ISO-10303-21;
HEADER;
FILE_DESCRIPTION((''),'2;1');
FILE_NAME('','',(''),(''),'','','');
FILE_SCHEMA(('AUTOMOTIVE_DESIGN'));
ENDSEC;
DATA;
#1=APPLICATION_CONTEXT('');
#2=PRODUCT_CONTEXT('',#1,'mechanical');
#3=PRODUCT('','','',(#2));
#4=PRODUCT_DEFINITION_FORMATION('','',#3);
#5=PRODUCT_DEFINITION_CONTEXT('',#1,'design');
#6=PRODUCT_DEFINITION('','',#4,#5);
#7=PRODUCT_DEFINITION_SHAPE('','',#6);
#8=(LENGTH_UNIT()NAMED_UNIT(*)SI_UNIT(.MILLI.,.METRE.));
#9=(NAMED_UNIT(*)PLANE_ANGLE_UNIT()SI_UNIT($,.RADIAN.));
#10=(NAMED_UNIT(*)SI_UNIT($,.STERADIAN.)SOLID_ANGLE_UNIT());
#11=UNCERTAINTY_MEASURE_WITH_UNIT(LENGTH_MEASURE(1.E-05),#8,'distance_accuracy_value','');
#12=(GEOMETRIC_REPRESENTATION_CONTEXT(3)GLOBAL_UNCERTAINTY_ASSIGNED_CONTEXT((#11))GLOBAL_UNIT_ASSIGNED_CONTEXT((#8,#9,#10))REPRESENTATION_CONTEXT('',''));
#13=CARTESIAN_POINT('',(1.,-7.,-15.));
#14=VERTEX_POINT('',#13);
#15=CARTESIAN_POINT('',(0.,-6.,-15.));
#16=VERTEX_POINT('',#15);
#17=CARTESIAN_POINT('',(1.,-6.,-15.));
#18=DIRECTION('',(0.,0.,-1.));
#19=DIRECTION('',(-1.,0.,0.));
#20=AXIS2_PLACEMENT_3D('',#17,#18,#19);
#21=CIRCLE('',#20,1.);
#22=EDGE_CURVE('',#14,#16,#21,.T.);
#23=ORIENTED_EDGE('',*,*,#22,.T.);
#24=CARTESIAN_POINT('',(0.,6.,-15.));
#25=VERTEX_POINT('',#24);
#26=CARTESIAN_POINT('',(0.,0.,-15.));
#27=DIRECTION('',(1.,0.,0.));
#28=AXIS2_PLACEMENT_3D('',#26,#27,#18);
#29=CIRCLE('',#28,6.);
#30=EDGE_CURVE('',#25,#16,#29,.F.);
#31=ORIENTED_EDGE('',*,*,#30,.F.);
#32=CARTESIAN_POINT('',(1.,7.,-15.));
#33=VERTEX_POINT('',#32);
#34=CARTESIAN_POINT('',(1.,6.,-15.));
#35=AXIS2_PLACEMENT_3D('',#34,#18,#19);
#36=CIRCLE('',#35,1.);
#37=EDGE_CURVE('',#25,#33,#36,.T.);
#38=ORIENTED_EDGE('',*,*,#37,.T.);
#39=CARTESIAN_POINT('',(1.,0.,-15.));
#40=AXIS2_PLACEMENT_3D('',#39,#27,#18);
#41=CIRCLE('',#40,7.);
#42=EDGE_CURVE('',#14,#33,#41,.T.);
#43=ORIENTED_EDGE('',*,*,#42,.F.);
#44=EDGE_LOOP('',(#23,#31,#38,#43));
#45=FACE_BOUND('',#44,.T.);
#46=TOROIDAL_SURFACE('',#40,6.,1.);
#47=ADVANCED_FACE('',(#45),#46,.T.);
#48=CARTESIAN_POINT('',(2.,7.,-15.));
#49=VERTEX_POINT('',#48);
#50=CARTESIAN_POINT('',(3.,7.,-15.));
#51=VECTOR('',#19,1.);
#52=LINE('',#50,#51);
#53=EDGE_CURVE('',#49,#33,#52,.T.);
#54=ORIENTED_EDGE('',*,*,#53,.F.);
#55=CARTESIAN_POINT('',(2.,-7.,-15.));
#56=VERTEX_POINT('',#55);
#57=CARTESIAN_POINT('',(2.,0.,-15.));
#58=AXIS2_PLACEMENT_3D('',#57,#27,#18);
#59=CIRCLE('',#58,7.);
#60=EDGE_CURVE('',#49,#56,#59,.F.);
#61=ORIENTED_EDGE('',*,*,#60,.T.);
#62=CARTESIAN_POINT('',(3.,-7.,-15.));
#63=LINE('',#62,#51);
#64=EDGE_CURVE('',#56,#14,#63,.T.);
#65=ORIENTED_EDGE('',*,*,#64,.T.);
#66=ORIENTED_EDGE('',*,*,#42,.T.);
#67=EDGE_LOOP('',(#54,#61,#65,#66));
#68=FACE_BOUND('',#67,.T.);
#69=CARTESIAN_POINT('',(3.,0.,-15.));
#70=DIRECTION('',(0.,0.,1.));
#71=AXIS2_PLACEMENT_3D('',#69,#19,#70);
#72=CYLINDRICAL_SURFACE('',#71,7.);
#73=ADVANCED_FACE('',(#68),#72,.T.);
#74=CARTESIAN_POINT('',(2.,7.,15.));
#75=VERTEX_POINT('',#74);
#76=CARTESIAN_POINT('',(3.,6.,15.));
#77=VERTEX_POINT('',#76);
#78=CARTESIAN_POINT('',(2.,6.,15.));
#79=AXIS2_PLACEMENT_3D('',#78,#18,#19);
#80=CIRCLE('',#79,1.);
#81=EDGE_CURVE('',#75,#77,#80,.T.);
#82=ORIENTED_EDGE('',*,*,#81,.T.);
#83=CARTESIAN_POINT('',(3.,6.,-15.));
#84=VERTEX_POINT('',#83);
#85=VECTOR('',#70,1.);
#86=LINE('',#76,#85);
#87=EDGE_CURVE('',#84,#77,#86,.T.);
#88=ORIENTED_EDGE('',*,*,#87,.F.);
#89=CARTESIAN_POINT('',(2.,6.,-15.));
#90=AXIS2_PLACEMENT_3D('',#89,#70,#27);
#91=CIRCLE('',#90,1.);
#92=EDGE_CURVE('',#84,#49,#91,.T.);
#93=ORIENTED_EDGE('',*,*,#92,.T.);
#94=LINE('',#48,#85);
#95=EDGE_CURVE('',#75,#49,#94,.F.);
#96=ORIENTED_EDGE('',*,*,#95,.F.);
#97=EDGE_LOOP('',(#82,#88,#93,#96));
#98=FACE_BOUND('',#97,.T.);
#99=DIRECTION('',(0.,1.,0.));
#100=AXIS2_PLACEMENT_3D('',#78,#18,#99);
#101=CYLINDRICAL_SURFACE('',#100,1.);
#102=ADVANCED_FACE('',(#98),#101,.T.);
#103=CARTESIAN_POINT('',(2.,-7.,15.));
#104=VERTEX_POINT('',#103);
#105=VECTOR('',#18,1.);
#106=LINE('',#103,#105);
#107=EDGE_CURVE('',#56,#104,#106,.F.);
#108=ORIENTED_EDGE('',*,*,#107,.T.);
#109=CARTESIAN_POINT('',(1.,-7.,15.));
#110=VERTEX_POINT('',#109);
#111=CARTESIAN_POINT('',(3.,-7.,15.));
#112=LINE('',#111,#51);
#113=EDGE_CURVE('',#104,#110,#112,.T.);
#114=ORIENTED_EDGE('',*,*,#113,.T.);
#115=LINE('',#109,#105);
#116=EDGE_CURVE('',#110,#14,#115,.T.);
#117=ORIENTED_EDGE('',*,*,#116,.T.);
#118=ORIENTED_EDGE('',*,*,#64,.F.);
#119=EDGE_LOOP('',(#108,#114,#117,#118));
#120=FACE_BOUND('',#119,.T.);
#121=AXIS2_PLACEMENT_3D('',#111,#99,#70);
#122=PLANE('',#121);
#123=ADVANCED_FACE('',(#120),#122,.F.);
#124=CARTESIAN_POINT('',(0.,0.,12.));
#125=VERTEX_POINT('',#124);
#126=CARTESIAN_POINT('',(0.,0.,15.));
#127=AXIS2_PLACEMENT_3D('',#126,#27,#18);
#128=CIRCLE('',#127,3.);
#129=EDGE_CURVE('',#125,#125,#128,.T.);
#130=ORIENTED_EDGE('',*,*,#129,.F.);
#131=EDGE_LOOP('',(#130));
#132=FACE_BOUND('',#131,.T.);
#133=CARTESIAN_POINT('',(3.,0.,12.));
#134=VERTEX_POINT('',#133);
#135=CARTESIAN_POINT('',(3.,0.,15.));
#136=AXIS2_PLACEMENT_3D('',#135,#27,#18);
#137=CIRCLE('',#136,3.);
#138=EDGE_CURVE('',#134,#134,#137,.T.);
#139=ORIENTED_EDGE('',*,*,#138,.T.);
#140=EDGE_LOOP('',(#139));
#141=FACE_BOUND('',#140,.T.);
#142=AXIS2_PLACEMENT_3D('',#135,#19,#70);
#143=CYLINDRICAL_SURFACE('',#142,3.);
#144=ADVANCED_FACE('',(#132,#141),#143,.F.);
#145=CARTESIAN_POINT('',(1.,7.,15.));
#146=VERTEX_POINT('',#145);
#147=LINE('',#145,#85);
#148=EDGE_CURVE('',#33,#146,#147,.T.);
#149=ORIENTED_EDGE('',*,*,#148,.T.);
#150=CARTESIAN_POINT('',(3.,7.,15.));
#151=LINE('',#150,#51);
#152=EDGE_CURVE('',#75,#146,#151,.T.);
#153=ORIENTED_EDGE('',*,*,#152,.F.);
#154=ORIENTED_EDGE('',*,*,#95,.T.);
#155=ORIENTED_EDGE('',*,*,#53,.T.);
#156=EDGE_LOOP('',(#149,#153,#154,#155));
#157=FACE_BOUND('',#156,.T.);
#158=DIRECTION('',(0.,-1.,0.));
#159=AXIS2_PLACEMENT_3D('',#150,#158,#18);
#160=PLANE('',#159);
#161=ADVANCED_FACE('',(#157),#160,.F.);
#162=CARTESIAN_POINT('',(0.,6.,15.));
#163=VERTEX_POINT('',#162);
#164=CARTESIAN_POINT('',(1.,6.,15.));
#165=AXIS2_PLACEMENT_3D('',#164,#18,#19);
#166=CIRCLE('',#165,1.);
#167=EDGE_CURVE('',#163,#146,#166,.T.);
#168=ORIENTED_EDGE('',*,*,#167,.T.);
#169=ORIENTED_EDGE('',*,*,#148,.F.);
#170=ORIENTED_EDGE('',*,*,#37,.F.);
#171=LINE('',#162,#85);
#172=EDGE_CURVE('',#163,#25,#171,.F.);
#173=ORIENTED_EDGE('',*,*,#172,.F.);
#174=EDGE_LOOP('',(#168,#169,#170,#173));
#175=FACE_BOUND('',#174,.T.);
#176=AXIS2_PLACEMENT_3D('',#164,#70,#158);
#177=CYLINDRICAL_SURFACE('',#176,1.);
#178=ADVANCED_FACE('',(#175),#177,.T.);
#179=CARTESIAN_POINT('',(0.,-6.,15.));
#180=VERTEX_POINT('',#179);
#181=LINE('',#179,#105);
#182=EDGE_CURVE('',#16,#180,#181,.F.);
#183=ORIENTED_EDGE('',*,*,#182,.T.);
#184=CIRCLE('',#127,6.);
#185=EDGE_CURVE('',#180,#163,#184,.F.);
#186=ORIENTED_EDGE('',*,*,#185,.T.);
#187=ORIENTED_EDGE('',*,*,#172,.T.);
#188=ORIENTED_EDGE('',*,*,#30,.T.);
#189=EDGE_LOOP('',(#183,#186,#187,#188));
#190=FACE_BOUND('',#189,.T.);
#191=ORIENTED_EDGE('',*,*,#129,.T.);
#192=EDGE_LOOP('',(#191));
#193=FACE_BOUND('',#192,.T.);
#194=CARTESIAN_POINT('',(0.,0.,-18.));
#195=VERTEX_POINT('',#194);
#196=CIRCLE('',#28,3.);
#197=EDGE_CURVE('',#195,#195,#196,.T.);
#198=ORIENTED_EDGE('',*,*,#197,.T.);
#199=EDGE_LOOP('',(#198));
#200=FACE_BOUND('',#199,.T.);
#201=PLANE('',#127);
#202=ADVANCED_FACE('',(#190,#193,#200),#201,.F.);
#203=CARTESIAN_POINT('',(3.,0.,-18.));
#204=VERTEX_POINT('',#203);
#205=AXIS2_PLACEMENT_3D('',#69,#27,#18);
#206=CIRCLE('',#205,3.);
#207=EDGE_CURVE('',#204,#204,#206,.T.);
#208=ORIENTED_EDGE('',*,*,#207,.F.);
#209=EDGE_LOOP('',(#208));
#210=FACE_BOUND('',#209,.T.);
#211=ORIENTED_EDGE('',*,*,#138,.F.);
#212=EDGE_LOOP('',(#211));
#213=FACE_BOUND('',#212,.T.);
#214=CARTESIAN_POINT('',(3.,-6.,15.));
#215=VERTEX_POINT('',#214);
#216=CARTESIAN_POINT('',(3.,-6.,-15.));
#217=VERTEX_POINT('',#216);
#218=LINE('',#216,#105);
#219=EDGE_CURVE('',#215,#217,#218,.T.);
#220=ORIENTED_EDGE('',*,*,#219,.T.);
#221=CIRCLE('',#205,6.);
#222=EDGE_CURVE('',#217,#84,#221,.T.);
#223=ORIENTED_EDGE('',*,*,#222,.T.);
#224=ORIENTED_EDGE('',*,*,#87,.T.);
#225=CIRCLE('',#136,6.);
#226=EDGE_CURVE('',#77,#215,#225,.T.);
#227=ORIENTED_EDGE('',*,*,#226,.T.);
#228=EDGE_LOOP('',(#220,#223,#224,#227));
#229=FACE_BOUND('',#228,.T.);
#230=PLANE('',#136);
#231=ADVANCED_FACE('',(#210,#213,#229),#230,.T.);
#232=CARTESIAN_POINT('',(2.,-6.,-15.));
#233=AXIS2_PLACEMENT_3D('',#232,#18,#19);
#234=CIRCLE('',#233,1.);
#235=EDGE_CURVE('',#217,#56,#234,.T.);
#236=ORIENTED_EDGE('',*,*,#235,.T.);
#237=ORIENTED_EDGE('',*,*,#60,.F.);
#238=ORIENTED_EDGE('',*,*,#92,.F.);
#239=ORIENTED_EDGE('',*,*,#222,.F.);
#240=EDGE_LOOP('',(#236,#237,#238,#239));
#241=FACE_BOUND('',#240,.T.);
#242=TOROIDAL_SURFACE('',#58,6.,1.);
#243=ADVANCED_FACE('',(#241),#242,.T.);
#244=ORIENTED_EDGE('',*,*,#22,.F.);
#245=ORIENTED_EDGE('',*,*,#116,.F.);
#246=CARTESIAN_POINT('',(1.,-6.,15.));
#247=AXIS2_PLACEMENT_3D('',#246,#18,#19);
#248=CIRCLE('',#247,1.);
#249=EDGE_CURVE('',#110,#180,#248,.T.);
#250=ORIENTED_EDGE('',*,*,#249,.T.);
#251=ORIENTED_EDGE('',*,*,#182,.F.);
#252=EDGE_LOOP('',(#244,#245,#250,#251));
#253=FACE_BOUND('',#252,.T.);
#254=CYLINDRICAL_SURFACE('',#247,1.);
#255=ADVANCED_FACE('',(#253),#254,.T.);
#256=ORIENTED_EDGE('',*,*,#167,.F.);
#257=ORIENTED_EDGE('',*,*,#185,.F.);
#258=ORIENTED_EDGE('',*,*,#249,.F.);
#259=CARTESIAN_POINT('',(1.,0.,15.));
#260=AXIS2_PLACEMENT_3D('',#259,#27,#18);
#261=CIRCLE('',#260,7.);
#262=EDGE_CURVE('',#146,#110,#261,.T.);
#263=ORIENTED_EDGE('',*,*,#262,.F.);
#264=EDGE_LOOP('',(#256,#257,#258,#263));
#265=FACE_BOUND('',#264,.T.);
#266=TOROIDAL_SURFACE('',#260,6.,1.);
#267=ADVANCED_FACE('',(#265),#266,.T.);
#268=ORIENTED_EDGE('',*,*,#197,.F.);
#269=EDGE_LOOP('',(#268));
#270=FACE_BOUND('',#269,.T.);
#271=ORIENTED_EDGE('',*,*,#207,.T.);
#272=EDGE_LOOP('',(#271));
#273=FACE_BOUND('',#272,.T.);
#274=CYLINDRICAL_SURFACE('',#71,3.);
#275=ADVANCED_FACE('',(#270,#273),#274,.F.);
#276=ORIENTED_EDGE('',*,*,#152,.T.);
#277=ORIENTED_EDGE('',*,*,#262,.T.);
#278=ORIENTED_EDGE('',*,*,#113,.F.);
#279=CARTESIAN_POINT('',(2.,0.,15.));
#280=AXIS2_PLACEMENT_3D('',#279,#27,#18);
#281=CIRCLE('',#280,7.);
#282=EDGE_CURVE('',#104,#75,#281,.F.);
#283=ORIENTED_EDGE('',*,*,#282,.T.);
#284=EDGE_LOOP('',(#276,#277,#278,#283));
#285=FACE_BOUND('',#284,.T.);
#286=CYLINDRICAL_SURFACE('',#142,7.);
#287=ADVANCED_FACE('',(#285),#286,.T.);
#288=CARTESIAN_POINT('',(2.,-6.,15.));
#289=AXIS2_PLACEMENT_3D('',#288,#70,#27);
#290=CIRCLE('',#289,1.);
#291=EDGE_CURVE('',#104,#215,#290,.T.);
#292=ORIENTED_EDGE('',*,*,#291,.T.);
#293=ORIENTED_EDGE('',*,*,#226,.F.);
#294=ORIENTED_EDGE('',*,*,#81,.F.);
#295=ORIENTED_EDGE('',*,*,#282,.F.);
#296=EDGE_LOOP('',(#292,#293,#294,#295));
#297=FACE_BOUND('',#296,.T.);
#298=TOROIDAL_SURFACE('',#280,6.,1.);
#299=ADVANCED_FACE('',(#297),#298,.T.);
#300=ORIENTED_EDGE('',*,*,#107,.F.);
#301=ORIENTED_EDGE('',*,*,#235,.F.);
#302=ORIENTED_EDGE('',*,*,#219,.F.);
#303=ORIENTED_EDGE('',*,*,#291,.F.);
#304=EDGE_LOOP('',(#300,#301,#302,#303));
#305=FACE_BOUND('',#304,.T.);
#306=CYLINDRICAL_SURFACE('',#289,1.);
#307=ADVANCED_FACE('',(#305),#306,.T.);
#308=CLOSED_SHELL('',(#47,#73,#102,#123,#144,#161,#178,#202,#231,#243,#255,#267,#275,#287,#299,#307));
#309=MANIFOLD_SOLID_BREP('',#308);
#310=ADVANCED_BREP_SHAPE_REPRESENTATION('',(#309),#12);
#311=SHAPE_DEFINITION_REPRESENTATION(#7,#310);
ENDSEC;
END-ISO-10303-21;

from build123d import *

# Parameters (mm, degrees)
SKETCH_1_R      = 3
EXTRUDE_1_DEPTH = 3
FILLET_1_R      = 1


with BuildPart() as part:
    # 草图1 → 凸台-拉伸1 (new body)
    with BuildSketch(Plane(origin=(0, 0, 0), x_dir=(0, 0, -1), z_dir=(1, 0, 0))):
        with BuildLine():
            Line((-15, 7), (15, 7))
            ThreePointArc((15, 7), (22, 0), (15, -7))
            Line((15, -7), (-15, -7))
            ThreePointArc((-15, -7), (-22, 0), (-15, 7))
        make_face()
        with Locations((-15, 0)):
            Circle(SKETCH_1_R, mode=Mode.SUBTRACT)
        with Locations((15, 0)):
            Circle(SKETCH_1_R, mode=Mode.SUBTRACT)
    extrude(amount=EXTRUDE_1_DEPTH)

    # 圆角1
    fillet_1_edges = [part.edges().sort_by_distance(p)[0] for p in [
        (3, 0, -22),
        (3, 7, 0),
        (3, 0, 22),
        (0, 7, 0),
        (0, 0, -22),
        (0, -7, 0),
        (0, 0, 22),
        (3, -7, 0),
    ]]
    fillet(fillet_1_edges, radius=FILLET_1_R)


solid = part.part
